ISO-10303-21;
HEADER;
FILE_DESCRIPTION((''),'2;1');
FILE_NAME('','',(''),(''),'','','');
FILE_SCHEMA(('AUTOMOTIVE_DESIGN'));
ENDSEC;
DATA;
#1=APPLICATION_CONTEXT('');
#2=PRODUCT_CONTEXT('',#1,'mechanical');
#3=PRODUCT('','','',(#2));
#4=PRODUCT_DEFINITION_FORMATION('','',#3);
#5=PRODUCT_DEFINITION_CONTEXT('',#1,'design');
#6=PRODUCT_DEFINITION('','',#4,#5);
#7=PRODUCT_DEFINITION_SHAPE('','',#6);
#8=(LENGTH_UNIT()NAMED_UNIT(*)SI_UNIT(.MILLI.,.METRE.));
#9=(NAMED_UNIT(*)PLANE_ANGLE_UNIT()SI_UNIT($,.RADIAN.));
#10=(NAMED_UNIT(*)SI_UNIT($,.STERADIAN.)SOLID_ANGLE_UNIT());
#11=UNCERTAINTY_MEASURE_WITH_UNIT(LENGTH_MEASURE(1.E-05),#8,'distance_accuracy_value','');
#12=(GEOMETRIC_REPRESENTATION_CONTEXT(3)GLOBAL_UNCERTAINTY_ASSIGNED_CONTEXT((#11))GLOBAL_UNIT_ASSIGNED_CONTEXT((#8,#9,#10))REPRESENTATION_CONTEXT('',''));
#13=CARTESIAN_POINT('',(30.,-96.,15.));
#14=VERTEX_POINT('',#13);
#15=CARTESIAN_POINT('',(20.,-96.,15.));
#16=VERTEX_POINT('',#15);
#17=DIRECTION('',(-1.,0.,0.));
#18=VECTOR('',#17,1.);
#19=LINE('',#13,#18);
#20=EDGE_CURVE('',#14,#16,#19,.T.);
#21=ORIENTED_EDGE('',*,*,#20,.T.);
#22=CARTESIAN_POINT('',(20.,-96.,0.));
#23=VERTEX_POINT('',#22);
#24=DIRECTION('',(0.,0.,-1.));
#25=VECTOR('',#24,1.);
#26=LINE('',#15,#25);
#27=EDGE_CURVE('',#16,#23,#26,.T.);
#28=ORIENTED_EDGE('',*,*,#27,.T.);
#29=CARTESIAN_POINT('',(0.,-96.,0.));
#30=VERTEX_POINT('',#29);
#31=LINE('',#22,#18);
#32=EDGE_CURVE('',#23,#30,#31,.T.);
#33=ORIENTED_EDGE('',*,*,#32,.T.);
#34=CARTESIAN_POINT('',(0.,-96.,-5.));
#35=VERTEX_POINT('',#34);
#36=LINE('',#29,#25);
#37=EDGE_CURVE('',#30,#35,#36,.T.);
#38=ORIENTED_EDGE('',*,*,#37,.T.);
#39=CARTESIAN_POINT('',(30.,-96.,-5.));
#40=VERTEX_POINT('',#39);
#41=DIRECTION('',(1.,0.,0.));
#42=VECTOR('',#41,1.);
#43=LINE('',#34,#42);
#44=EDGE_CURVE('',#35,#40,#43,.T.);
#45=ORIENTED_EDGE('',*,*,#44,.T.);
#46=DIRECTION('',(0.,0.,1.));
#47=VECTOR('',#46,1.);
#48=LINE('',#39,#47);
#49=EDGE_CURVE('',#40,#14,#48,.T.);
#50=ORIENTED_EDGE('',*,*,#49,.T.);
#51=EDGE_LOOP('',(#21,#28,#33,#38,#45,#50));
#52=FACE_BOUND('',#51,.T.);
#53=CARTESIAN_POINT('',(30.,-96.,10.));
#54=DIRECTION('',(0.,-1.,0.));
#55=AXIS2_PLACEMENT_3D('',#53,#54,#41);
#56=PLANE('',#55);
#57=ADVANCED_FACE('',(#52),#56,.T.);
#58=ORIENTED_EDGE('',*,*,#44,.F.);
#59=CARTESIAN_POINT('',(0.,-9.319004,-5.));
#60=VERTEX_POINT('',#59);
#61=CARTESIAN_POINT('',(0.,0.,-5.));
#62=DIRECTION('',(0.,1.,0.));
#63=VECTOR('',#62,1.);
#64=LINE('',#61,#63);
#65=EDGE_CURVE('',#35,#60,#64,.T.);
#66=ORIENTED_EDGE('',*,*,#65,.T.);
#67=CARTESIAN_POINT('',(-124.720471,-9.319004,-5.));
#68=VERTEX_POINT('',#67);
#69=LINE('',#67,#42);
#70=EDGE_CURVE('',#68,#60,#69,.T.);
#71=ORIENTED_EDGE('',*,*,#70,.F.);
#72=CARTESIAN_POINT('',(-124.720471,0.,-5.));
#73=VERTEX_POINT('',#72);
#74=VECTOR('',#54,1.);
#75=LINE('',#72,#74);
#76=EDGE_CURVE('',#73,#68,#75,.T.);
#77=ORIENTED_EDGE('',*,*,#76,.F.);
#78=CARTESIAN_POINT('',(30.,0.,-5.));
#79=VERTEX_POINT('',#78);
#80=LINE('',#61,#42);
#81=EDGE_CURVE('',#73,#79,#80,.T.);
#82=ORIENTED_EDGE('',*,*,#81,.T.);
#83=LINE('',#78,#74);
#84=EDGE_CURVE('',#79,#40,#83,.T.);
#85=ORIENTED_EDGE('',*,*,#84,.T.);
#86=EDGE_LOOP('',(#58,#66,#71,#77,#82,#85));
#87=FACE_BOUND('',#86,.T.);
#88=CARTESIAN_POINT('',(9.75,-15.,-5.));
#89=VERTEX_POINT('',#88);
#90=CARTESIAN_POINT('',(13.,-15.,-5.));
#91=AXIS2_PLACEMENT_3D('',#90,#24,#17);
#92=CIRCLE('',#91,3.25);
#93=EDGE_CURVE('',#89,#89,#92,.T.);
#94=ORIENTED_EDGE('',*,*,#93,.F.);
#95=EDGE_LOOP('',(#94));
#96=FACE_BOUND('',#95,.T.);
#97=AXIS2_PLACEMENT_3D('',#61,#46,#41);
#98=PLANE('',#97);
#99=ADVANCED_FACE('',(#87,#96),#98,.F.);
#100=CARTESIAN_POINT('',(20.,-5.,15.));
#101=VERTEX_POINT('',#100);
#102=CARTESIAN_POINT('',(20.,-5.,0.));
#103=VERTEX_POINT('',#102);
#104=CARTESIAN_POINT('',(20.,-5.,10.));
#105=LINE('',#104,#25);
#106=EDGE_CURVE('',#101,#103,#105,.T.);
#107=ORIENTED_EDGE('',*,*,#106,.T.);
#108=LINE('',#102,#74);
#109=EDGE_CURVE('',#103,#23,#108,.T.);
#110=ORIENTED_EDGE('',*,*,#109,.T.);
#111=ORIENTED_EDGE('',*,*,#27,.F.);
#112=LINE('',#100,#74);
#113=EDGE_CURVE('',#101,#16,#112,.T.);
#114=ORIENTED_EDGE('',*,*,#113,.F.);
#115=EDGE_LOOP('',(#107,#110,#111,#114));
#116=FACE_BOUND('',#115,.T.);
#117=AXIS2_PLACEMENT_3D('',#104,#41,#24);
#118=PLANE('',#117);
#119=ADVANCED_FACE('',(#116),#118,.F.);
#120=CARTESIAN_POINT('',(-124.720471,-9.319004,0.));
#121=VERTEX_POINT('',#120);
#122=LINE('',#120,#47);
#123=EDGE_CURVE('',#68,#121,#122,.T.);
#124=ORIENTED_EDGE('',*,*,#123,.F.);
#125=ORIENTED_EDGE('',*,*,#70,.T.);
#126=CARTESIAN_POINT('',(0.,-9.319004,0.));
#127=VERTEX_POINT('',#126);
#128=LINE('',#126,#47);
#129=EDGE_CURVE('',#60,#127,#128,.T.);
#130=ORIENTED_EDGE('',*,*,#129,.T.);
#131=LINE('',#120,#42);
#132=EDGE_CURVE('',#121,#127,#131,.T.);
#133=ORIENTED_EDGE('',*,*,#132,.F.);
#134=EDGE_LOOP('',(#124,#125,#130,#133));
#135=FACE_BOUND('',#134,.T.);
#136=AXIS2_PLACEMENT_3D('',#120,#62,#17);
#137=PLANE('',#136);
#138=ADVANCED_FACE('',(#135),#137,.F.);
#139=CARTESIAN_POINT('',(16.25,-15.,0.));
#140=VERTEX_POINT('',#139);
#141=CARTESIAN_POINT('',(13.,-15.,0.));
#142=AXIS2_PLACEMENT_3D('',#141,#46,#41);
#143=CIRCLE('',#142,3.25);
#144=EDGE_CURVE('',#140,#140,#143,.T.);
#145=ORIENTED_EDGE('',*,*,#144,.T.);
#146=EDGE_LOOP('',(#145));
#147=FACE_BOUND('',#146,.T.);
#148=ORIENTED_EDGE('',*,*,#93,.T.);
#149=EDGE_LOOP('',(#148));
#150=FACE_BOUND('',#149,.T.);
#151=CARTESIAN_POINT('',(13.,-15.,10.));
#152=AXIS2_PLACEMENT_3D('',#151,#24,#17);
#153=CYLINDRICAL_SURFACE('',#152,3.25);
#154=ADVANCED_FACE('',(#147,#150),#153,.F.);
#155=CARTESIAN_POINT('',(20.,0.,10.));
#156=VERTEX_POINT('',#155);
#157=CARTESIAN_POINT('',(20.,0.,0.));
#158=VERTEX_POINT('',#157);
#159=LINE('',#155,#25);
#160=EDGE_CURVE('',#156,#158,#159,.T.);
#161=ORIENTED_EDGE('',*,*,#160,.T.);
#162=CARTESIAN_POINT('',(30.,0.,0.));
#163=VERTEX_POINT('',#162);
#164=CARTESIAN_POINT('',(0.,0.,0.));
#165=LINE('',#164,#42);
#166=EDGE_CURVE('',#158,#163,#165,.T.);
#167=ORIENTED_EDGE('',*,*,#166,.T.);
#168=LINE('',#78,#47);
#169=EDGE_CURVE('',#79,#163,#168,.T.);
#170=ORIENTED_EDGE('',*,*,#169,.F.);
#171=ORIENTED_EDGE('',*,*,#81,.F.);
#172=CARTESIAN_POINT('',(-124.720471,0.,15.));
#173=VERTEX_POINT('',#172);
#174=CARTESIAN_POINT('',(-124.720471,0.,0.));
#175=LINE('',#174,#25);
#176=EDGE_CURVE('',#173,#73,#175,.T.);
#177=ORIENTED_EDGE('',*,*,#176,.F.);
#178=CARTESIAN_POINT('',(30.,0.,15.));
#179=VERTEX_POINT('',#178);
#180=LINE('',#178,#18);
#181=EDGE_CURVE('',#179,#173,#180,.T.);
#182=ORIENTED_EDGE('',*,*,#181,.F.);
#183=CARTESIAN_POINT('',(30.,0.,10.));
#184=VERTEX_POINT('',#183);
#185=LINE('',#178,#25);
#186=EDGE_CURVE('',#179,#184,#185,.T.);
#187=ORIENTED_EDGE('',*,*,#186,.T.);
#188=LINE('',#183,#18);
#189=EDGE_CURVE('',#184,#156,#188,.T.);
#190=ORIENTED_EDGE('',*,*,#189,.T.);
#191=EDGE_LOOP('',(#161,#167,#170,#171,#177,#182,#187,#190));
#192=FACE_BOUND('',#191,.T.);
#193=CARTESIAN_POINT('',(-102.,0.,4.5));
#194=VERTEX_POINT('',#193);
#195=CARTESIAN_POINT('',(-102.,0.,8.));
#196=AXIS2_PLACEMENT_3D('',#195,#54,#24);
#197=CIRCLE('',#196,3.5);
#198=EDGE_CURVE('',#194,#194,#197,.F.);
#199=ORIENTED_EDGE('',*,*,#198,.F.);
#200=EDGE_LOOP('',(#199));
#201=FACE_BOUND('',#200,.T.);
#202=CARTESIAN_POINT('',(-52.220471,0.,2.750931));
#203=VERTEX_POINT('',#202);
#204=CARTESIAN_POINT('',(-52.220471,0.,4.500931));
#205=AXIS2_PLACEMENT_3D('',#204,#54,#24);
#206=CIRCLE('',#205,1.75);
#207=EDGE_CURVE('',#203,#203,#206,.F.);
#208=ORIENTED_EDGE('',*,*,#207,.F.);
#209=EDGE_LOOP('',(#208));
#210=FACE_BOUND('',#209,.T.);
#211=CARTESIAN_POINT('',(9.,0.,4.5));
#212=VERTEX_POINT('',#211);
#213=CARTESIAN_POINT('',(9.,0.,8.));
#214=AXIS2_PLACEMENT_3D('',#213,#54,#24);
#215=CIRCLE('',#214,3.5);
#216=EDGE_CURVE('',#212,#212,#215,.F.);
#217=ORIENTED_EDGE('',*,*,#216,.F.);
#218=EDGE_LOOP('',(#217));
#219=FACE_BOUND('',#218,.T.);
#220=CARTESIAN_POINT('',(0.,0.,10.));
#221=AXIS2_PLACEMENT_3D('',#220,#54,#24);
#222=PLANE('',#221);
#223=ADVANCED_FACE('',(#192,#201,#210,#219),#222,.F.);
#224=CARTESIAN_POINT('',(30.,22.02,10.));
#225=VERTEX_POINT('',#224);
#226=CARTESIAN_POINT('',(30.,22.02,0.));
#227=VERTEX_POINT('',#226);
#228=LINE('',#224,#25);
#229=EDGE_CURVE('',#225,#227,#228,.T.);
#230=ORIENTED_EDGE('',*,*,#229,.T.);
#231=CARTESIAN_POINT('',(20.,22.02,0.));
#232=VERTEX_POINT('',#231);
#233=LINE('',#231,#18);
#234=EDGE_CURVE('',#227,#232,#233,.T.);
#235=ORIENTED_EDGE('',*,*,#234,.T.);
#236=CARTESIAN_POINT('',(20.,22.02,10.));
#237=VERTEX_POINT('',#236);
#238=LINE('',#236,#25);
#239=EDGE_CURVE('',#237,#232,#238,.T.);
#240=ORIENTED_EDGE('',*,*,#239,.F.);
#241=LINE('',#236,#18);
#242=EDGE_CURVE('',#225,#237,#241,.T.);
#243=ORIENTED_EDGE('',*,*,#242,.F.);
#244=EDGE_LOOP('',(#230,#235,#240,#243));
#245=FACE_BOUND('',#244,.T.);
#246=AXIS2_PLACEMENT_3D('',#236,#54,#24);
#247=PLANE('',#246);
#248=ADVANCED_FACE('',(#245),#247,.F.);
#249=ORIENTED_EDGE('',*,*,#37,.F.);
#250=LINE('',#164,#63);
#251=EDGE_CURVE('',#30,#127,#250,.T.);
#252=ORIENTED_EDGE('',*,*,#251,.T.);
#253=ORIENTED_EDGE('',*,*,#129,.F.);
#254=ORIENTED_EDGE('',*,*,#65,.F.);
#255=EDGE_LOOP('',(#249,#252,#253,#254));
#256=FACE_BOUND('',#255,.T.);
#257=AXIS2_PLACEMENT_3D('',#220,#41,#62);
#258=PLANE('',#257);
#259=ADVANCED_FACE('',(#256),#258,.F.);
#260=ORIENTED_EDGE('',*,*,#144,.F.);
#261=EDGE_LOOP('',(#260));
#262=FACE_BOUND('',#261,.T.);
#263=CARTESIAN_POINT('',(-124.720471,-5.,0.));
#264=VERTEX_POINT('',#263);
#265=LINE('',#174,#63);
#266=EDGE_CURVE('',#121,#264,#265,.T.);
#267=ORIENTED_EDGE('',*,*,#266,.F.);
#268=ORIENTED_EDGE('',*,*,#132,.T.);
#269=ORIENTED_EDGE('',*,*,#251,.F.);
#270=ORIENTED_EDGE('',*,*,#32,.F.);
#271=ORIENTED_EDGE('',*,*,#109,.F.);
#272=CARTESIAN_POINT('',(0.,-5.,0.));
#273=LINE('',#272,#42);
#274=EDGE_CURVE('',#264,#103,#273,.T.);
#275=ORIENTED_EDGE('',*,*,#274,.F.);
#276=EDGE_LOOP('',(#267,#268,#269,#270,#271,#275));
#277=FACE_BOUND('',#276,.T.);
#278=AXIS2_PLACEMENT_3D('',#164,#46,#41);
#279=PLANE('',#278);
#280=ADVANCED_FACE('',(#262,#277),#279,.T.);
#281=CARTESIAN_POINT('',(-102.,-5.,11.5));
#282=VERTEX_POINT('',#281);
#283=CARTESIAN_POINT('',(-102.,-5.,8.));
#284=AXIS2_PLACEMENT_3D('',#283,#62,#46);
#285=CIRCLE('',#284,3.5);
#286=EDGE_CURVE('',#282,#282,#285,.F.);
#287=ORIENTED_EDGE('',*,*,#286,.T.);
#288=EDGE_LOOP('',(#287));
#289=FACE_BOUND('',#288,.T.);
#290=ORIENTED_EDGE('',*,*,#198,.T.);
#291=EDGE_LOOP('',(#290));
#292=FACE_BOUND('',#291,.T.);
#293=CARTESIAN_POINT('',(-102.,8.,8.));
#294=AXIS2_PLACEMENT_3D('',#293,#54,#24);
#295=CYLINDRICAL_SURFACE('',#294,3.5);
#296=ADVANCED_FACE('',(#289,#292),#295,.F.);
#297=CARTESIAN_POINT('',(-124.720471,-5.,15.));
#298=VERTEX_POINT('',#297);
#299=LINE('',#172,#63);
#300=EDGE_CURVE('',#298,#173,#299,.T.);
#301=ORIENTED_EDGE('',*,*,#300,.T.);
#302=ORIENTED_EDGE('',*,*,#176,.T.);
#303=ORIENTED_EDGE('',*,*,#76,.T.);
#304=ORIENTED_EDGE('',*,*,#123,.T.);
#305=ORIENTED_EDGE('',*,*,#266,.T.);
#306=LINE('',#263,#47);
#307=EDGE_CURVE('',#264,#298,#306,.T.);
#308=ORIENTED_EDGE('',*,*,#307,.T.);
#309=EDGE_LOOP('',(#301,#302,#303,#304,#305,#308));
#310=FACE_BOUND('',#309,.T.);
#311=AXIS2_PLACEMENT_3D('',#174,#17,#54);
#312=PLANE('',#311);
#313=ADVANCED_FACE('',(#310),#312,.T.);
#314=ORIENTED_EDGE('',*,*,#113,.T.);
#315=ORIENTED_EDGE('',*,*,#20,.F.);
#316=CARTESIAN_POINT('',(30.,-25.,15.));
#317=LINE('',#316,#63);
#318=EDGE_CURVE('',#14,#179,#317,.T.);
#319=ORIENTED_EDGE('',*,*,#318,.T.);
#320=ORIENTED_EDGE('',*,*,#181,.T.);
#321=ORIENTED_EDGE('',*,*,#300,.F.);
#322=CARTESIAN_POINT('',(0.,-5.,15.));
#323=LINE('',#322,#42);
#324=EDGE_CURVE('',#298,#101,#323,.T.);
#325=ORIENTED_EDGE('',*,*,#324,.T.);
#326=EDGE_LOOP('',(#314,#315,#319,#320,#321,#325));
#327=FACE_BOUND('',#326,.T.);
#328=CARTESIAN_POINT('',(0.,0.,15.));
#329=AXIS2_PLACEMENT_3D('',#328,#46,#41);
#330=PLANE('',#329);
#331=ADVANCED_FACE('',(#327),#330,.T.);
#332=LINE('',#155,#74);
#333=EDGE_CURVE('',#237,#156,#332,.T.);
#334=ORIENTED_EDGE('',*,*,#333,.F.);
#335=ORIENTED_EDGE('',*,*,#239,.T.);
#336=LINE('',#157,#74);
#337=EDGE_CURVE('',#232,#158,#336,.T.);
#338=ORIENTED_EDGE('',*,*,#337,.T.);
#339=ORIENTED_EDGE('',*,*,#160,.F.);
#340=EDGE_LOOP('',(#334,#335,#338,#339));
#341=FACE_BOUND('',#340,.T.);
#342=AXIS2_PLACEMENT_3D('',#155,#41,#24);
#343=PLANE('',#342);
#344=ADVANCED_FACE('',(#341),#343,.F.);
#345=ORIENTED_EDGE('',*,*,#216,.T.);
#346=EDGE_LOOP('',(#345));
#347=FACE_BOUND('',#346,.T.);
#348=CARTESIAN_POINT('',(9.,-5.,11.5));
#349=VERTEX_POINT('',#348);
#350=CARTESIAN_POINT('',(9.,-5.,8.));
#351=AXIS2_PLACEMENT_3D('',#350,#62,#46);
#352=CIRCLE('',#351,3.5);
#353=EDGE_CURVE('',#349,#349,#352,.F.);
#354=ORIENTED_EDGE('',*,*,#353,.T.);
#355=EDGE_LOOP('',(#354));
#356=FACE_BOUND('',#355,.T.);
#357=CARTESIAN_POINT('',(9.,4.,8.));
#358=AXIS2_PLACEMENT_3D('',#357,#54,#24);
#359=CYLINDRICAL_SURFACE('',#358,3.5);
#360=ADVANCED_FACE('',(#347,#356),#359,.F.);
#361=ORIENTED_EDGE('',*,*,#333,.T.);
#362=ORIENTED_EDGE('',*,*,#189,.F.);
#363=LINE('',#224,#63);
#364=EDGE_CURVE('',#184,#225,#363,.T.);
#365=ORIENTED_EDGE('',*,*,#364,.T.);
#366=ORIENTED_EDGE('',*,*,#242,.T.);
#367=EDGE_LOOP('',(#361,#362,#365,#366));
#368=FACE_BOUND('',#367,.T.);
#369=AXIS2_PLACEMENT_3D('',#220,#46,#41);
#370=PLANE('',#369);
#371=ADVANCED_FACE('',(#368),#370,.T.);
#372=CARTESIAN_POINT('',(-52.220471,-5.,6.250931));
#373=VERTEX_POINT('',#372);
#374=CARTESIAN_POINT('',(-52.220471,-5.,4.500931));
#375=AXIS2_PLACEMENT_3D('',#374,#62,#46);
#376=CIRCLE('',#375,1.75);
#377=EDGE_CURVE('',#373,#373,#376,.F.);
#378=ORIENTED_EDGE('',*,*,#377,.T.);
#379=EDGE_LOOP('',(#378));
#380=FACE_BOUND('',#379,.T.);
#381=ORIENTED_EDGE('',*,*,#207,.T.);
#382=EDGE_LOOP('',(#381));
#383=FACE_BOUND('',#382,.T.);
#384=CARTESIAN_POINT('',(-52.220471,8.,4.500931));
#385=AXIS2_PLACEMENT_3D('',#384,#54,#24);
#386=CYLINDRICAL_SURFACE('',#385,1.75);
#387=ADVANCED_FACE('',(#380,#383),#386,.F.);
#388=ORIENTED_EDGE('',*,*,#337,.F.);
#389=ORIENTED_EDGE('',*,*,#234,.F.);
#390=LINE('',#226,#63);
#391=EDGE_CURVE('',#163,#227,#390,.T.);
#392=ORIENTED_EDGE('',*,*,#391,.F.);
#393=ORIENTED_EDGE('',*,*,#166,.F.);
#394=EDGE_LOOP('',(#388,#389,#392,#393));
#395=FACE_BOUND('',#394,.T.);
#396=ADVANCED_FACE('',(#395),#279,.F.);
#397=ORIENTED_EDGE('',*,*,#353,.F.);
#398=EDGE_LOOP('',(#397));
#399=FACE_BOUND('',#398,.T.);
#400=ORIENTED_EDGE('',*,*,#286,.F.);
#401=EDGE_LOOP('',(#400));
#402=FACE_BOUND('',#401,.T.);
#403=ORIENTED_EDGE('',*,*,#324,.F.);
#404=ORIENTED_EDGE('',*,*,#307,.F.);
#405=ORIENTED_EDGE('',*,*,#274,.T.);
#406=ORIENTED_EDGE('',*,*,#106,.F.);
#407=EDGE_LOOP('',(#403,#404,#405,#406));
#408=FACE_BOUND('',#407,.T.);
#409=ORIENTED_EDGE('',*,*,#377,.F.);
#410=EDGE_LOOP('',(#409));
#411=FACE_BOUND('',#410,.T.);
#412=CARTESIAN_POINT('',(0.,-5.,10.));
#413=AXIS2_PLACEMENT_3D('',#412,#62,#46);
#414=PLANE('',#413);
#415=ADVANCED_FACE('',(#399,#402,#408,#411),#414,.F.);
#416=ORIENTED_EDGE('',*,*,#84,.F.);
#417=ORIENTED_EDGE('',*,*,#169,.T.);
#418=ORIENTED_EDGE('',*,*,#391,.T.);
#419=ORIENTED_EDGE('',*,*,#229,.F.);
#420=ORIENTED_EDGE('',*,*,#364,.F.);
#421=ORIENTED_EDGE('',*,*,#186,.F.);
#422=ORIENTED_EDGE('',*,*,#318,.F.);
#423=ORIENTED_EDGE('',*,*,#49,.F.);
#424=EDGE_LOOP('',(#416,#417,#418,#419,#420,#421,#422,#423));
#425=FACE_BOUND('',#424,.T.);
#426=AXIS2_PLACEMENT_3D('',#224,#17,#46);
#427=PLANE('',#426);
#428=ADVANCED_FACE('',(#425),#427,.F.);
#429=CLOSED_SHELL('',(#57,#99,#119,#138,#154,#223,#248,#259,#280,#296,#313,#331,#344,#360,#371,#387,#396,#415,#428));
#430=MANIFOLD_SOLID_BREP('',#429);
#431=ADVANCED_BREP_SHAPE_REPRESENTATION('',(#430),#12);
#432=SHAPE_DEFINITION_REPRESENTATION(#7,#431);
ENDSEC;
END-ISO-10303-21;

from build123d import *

# Parameters (mm, degrees)
BOSS_EXTRUDE3_DEPTH     = 10
SKETCH4_W               = 30
SKETCH4_H               = 25
BOSS_EXTRUDE4_DEPTH     = 5
BOSS_EXTRUDE5_DEPTH     = 5
BOSS_EXTRUDE6_DEPTH     = 71
BOSS_EXTRUDE7_DEPTH     = 124.720470612
SKETCH9_R               = 3.25
CUT_EXTRUDE1_DEPTH      = 15
SKETCH13_R              = 1.75
CUT_EXTRUDE2_DEPTH      = 8
CUT_EXTRUDE2_DEPTH_BACK = 10
SKETCH14_R              = 3.5
CUT_EXTRUDE3_DEPTH      = 8
CUT_EXTRUDE3_DEPTH_BACK = 12
SKETCH15_R              = 3.5
CUT_EXTRUDE4_DEPTH      = 4
CUT_EXTRUDE4_DEPTH_BACK = 17


with BuildPart() as part:
    # Sketch3 → Boss-Extrude3 (new body)
    with BuildSketch(Plane.XY):
        Polygon((0, 0), (0, -5), (20, -5), (20, -25), (30, -25), (30, 22.02), (20, 22.02), (20, 0), align=None)
    extrude(amount=BOSS_EXTRUDE3_DEPTH)

    # Sketch4 → Boss-Extrude4 (add)
    with BuildSketch(Plane(origin=(0, 0, 0), x_dir=(-1, 0, 0), z_dir=(0, 0, -1))):
        with Locations((-15, -12.5)):
            Rectangle(SKETCH4_W, SKETCH4_H)
    extrude(amount=BOSS_EXTRUDE4_DEPTH)

    # Sketch5 → Boss-Extrude5 (add)
    with BuildSketch(Plane.XY.offset(10)):
        Polygon((0, 0), (0, -5), (20, -5), (20, -25), (30, -25), (30, 0), align=None)
    extrude(amount=BOSS_EXTRUDE5_DEPTH)

    # Sketch6 → Boss-Extrude6 (add)
    with BuildSketch(Plane.XZ.offset(25)):
        Polygon((20, 15), (20, 0), (0, 0), (0, -5), (30, -5), (30, 15), align=None)
    extrude(amount=BOSS_EXTRUDE6_DEPTH)

    # Sketch7 → Boss-Extrude7 (add)
    with BuildSketch(Plane.ZY):
        Polygon((15, -5), (15, 0), (0, 0), (-5, 0), (-5, -5), (-5, -9.319004474), (0, -9.319004474), (0, -5), align=None)
    extrude(amount=BOSS_EXTRUDE7_DEPTH)

    # Sketch9 → Cut-Extrude1 (cut)
    with BuildSketch(Plane(origin=(0, 0, -5), x_dir=(-1, 0, 0), z_dir=(0, 0, -1))):
        with Locations((-13, -15)):
            Circle(SKETCH9_R)
    extrude(amount=-CUT_EXTRUDE1_DEPTH, mode=Mode.SUBTRACT)

    # Sketch13 → Cut-Extrude2 (cut, two sides)
    with BuildSketch(Plane(origin=(0, 0, 0), x_dir=(1, 0, 0), z_dir=(0, 1, 0))) as cut_extrude2_sk:
        with Locations((-52.220470612, -4.500931244)):
            Circle(SKETCH13_R)
    extrude(amount=CUT_EXTRUDE2_DEPTH, mode=Mode.SUBTRACT)
    extrude(cut_extrude2_sk.sketch, amount=-CUT_EXTRUDE2_DEPTH_BACK, mode=Mode.SUBTRACT)

    # Sketch14 → Cut-Extrude3 (cut, two sides)
    with BuildSketch(Plane(origin=(0, 0, 0), x_dir=(1, 0, 0), z_dir=(0, 1, 0))) as cut_extrude3_sk:
        with Locations((-102, -8)):
            Circle(SKETCH14_R)
    extrude(amount=CUT_EXTRUDE3_DEPTH, mode=Mode.SUBTRACT)
    extrude(cut_extrude3_sk.sketch, amount=-CUT_EXTRUDE3_DEPTH_BACK, mode=Mode.SUBTRACT)

    # Sketch15 → Cut-Extrude4 (cut, two sides)
    with BuildSketch(Plane(origin=(0, 0, 0), x_dir=(1, 0, 0), z_dir=(0, 1, 0))) as cut_extrude4_sk:
        with Locations((9, -8)):
            Circle(SKETCH15_R)
    extrude(amount=CUT_EXTRUDE4_DEPTH, mode=Mode.SUBTRACT)
    extrude(cut_extrude4_sk.sketch, amount=-CUT_EXTRUDE4_DEPTH_BACK, mode=Mode.SUBTRACT)


solid = part.part
